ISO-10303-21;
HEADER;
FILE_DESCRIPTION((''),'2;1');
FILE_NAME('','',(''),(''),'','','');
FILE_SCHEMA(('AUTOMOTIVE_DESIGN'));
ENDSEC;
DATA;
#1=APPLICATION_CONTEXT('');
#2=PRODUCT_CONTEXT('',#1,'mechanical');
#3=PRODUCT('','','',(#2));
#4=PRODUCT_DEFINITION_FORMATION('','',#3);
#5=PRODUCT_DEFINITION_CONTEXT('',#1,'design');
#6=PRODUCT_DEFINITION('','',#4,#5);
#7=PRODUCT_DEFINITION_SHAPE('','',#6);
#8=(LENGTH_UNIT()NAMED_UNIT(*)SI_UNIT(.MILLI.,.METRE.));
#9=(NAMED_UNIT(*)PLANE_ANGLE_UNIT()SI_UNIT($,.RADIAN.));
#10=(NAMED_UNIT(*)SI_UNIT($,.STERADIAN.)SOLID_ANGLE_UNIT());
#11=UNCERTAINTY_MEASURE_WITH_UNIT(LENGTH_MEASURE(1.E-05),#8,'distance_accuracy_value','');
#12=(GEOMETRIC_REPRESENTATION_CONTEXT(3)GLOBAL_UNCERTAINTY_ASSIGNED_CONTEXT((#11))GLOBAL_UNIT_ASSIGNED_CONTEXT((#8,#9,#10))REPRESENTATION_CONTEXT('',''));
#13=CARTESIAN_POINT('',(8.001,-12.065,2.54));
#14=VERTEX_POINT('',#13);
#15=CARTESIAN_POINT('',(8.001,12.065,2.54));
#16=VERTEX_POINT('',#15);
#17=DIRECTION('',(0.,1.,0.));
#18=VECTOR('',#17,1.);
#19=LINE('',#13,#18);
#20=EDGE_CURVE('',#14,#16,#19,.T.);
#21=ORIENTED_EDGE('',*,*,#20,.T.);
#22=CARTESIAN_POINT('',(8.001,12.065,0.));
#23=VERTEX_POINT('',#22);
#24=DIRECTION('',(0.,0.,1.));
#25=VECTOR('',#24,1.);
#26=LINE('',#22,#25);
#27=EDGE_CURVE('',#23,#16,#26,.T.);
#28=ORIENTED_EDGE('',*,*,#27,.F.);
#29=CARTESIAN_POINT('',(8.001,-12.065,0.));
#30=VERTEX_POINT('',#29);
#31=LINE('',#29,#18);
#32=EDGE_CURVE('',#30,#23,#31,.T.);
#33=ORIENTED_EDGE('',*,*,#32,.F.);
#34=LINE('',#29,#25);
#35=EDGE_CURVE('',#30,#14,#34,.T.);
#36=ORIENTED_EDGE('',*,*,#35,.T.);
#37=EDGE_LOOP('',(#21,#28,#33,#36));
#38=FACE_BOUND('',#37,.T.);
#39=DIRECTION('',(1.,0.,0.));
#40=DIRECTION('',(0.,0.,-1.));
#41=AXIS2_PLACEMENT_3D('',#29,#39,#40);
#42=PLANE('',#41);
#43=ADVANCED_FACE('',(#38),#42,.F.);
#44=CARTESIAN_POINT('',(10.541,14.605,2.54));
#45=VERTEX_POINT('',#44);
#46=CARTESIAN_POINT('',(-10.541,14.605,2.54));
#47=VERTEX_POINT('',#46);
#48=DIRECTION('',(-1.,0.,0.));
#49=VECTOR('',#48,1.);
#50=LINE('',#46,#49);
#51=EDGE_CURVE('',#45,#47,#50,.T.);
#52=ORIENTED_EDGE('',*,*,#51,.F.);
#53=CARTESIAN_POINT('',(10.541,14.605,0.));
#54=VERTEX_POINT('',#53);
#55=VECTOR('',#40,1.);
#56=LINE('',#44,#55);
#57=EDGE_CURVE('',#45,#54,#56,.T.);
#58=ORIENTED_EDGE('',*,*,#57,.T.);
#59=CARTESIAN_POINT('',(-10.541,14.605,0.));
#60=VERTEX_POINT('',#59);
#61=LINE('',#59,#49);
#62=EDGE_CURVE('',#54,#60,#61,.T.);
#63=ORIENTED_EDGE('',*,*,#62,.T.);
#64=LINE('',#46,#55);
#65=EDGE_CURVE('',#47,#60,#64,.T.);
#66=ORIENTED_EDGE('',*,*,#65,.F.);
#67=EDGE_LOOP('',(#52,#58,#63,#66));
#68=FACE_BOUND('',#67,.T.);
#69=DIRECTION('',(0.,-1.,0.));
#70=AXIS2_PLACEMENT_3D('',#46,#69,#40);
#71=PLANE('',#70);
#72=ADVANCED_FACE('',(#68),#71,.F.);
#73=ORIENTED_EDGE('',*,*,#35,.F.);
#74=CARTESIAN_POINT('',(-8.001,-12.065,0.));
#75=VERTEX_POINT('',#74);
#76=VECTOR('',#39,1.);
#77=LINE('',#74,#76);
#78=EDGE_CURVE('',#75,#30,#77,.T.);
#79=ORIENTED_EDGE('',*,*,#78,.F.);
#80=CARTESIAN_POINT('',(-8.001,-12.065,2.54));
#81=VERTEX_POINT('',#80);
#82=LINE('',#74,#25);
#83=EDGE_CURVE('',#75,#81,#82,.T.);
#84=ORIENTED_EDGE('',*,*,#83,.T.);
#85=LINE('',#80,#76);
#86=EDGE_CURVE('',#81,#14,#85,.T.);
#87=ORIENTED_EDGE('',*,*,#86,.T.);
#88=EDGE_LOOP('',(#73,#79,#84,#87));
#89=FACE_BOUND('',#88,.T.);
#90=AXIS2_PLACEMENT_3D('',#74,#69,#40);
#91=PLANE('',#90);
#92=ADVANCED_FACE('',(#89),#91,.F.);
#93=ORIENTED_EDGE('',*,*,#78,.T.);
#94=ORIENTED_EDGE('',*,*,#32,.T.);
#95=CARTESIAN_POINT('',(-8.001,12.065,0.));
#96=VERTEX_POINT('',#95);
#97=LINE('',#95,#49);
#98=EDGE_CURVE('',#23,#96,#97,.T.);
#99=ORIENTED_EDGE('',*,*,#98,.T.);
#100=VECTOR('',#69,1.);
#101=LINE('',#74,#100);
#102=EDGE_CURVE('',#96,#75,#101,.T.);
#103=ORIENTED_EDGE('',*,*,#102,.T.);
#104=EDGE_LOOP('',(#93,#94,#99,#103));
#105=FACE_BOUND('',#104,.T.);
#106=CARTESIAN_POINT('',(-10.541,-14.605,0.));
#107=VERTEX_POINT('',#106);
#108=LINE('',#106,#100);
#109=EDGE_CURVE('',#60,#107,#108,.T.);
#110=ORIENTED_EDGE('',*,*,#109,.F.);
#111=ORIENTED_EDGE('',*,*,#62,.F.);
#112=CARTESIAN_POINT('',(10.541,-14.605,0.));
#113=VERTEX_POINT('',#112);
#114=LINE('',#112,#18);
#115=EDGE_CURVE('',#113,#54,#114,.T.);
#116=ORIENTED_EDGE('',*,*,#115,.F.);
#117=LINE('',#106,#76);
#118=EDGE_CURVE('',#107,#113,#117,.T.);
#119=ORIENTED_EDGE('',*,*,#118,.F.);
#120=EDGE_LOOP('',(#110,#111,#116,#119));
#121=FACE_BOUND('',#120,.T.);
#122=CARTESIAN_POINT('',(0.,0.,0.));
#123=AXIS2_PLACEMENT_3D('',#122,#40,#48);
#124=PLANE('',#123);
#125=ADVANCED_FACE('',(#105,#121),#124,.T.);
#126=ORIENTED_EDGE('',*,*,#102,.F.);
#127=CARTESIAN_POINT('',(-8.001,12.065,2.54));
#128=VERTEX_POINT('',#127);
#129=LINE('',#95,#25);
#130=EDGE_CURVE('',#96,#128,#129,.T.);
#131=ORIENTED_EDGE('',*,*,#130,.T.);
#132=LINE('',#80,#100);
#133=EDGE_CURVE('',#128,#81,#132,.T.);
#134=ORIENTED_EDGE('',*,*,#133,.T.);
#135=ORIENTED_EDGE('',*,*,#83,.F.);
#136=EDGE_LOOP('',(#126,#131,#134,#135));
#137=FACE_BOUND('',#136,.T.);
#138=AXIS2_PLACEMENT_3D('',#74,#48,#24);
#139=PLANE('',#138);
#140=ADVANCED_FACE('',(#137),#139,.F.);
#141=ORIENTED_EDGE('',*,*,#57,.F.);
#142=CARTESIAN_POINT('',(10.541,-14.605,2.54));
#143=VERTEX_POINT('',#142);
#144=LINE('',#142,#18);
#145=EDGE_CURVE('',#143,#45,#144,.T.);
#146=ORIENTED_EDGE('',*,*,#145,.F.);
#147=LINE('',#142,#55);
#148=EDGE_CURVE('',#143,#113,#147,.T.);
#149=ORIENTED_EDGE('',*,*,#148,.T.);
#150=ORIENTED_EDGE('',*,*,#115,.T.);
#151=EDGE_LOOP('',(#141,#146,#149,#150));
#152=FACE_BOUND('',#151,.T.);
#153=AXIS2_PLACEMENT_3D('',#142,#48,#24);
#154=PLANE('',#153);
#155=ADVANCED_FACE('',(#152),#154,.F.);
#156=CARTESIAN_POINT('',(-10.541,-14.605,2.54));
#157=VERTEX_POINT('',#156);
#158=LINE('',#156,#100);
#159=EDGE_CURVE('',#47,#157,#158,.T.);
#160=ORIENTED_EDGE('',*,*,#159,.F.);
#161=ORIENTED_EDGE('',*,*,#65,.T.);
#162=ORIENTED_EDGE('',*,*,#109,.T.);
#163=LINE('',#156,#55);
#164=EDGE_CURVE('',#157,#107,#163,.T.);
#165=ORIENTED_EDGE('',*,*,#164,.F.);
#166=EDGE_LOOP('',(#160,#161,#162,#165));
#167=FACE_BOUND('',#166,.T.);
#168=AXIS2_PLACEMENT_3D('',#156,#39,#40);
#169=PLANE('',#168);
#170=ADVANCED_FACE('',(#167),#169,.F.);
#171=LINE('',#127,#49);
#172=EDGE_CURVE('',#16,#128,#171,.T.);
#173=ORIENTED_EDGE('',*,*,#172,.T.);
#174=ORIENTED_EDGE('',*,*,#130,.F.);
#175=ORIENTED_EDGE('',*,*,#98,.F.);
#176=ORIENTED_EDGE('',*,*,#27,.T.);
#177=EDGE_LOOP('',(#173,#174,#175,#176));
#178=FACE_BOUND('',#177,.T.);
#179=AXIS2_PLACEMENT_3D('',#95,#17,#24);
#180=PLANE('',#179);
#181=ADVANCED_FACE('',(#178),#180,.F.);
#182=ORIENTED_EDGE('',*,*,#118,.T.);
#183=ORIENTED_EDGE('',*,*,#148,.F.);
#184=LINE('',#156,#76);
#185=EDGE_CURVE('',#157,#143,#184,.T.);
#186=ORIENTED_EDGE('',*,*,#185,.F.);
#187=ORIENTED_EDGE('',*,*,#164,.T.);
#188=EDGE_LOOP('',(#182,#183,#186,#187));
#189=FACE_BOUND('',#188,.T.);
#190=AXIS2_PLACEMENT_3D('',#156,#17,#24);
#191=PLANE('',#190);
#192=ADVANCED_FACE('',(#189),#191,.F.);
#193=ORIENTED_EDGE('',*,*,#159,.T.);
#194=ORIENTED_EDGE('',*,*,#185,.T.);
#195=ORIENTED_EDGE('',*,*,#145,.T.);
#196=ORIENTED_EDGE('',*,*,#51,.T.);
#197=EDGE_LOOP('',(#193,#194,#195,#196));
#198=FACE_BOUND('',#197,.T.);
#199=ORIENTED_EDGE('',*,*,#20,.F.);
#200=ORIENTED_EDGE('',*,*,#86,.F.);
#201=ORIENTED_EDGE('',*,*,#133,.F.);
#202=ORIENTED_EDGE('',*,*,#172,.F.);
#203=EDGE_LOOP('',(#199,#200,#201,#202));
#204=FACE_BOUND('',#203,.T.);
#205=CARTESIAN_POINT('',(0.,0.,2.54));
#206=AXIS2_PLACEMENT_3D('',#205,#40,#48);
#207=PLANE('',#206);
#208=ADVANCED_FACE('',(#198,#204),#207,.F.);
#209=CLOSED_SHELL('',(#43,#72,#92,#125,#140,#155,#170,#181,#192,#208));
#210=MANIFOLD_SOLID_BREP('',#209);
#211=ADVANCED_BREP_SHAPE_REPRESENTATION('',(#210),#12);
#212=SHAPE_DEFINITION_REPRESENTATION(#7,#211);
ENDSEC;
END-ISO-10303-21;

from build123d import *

# Parameters (mm, degrees)
SKETCH1_W           = 21.082
SKETCH1_H           = 29.21
BOSS_EXTRUDE1_DEPTH = 2.54
SKETCH2_W           = 16.002
SKETCH2_H           = 24.13
CUT_EXTRUDE1_DEPTH  = 3.54


with BuildPart() as part:
    # Sketch1 → Boss-Extrude1 (new body)
    with BuildSketch(Plane.XY):
        Rectangle(SKETCH1_W, SKETCH1_H)
    extrude(amount=BOSS_EXTRUDE1_DEPTH)

    # Sketch2 → Cut-Extrude1 (cut, through all)
    with BuildSketch(Plane.XY.offset(2.54)):
        Rectangle(SKETCH2_W, SKETCH2_H)
    extrude(amount=-CUT_EXTRUDE1_DEPTH, mode=Mode.SUBTRACT)


solid = part.part
